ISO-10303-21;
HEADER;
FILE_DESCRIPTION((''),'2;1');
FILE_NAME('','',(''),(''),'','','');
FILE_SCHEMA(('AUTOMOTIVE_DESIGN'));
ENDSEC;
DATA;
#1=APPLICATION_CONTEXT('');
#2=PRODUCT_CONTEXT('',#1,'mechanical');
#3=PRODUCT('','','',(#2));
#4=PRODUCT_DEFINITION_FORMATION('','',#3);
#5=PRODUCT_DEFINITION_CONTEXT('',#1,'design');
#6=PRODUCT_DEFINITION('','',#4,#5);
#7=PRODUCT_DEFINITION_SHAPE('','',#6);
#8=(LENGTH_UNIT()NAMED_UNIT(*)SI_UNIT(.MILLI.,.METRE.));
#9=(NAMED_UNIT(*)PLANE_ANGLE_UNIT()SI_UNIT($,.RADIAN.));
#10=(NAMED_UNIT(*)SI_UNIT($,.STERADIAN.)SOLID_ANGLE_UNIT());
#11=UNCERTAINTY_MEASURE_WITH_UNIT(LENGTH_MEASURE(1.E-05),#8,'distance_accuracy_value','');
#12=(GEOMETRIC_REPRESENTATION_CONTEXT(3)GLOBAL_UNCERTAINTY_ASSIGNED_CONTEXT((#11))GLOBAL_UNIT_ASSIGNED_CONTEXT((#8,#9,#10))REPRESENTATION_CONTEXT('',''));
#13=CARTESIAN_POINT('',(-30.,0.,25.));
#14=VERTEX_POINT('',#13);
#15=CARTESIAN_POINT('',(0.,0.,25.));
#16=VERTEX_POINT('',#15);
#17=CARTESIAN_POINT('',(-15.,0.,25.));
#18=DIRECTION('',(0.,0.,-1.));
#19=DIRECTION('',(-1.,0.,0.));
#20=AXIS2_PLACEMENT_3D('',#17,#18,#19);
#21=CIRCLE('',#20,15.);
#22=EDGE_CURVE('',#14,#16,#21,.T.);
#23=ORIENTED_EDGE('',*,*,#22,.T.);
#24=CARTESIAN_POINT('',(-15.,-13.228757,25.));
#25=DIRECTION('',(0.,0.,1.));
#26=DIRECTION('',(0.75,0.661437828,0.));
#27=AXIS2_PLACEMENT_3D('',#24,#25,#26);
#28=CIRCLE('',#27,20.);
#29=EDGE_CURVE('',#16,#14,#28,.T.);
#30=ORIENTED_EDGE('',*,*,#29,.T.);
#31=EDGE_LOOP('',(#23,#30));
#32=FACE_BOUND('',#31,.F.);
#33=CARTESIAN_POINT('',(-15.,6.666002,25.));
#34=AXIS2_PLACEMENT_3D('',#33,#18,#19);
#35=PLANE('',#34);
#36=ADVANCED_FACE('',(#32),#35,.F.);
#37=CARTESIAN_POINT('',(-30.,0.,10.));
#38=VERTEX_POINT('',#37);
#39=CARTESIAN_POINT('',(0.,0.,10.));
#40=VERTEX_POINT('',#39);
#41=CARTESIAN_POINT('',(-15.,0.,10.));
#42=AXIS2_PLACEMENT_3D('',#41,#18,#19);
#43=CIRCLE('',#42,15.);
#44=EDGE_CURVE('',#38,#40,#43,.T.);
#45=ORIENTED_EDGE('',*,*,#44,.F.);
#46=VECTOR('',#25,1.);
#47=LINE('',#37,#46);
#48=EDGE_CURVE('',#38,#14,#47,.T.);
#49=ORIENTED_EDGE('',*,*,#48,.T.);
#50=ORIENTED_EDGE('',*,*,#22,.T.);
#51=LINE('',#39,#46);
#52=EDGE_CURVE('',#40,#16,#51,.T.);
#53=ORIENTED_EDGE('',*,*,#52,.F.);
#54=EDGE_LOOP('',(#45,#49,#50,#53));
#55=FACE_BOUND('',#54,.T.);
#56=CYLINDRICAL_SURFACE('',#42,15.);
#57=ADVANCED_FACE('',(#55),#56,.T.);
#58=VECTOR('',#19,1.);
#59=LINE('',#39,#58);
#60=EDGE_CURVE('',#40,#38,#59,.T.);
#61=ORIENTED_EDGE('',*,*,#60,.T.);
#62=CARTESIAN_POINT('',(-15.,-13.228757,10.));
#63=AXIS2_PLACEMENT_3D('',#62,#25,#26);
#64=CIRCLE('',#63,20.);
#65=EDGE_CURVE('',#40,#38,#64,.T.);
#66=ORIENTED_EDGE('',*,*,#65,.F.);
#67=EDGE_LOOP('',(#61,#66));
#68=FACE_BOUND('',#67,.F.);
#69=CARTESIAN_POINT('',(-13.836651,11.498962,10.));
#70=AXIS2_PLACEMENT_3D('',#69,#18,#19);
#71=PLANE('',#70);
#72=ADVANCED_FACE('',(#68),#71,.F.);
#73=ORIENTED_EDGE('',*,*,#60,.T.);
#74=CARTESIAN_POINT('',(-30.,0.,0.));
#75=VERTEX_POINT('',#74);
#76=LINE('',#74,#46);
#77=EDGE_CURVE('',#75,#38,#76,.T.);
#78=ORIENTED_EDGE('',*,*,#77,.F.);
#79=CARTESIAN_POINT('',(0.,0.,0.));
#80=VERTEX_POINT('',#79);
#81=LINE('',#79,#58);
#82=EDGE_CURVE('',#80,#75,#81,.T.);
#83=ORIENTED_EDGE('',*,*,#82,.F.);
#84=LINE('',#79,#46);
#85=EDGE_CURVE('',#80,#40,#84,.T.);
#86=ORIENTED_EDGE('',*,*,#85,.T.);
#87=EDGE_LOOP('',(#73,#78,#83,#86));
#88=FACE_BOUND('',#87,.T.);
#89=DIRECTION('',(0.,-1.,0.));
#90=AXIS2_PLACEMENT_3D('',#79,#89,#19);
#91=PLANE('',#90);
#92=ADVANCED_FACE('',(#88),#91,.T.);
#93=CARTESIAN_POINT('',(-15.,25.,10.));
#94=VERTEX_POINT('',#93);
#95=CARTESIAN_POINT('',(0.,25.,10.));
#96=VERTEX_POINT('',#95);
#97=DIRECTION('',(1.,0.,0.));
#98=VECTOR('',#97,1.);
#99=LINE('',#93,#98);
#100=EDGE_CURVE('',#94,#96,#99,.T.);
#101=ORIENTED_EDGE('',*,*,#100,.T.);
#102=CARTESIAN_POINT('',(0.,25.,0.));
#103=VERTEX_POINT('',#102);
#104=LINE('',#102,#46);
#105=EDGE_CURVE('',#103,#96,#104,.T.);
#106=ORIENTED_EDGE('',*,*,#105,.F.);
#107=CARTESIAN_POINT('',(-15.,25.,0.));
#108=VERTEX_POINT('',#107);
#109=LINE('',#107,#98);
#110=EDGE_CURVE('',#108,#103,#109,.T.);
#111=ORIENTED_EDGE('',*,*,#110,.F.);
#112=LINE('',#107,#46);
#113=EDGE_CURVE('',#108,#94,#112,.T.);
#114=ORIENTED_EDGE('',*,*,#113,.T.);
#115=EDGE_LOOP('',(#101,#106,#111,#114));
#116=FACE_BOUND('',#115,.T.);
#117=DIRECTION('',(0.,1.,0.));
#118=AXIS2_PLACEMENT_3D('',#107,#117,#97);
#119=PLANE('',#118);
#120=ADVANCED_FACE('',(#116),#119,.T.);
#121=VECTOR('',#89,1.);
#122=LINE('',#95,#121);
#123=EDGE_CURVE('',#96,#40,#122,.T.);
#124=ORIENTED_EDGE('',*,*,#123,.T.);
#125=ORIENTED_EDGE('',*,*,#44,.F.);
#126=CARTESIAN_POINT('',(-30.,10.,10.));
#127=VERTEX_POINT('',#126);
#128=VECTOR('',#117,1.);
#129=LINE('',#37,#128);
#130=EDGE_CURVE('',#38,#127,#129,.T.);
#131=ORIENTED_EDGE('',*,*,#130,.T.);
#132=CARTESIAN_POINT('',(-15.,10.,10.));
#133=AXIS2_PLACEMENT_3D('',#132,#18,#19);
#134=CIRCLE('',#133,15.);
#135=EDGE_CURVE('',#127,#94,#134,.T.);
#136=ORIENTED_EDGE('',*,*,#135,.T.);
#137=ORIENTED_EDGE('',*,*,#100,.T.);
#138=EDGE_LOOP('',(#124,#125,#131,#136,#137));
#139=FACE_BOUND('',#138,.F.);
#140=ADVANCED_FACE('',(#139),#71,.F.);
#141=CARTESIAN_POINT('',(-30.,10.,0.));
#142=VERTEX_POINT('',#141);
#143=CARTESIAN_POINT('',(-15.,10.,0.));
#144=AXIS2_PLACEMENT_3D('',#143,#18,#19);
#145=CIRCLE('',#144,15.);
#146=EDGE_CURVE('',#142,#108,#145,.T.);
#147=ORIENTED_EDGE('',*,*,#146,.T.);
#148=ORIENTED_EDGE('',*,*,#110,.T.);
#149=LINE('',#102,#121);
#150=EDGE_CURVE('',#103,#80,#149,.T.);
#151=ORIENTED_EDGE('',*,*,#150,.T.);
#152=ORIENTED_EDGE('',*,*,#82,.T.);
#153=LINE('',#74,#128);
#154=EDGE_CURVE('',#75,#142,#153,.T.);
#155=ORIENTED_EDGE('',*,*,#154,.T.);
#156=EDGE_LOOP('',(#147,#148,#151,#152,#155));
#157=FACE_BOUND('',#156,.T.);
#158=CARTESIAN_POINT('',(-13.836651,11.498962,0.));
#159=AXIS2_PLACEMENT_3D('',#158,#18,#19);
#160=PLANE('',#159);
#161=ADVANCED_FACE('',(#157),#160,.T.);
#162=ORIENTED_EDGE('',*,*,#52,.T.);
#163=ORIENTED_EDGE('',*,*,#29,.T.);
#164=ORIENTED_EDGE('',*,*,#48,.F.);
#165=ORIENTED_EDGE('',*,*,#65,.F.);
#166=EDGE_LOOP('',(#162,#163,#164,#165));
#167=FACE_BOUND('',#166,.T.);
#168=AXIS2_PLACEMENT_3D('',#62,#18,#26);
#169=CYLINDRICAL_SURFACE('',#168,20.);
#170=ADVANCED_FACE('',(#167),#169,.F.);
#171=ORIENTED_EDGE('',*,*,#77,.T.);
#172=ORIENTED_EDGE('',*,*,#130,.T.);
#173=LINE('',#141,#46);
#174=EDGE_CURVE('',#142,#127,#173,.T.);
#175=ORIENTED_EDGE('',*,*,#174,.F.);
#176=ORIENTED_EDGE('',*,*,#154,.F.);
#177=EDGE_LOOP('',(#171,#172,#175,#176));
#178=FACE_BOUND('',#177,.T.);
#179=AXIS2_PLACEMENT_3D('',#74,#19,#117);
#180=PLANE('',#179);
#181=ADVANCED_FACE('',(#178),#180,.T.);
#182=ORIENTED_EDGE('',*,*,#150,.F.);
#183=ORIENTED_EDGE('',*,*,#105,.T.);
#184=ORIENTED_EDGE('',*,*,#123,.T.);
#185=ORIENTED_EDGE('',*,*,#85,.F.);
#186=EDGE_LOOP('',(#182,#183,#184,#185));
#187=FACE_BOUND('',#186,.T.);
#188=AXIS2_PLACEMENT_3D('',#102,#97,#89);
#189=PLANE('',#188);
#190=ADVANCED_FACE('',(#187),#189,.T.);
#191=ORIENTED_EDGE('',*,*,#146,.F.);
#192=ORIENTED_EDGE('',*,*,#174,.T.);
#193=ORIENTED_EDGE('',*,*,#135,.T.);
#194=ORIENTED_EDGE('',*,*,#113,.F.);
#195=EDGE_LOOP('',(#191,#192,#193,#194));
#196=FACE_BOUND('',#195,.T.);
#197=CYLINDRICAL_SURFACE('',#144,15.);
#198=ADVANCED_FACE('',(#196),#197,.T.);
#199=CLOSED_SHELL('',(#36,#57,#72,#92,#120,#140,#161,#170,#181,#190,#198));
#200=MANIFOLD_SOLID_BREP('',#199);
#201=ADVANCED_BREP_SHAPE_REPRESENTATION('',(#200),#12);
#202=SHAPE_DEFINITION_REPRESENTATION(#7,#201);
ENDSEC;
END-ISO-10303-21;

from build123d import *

# Parameters (mm, degrees)
BOSS_EXTRUDE1_DEPTH = 10
BOSS_EXTRUDE2_DEPTH = 15


with BuildPart() as part:
    # Sketch1 → Boss-Extrude1 (new body)
    with BuildSketch(Plane.XY):
        with BuildLine():
            Line((-15, 25), (0, 25))
            Line((0, 25), (0, 0))
            Line((0, 0), (-30, 0))
            Line((-30, 0), (-30, 10))
            ThreePointArc((-30, 10), (-25.606601718, 20.606601718), (-15, 25))
        make_face()
    extrude(amount=BOSS_EXTRUDE1_DEPTH)

    # Sketch2 → Boss-Extrude2 (add)
    with BuildSketch(Plane.XY.offset(10)):
        with BuildLine():
            ThreePointArc((-30, 0), (-15, 15), (0, 0))
            ThreePointArc((0, 0), (-15, 6.771243445), (-30, 0))
        make_face()
    extrude(amount=BOSS_EXTRUDE2_DEPTH)


solid = part.part
